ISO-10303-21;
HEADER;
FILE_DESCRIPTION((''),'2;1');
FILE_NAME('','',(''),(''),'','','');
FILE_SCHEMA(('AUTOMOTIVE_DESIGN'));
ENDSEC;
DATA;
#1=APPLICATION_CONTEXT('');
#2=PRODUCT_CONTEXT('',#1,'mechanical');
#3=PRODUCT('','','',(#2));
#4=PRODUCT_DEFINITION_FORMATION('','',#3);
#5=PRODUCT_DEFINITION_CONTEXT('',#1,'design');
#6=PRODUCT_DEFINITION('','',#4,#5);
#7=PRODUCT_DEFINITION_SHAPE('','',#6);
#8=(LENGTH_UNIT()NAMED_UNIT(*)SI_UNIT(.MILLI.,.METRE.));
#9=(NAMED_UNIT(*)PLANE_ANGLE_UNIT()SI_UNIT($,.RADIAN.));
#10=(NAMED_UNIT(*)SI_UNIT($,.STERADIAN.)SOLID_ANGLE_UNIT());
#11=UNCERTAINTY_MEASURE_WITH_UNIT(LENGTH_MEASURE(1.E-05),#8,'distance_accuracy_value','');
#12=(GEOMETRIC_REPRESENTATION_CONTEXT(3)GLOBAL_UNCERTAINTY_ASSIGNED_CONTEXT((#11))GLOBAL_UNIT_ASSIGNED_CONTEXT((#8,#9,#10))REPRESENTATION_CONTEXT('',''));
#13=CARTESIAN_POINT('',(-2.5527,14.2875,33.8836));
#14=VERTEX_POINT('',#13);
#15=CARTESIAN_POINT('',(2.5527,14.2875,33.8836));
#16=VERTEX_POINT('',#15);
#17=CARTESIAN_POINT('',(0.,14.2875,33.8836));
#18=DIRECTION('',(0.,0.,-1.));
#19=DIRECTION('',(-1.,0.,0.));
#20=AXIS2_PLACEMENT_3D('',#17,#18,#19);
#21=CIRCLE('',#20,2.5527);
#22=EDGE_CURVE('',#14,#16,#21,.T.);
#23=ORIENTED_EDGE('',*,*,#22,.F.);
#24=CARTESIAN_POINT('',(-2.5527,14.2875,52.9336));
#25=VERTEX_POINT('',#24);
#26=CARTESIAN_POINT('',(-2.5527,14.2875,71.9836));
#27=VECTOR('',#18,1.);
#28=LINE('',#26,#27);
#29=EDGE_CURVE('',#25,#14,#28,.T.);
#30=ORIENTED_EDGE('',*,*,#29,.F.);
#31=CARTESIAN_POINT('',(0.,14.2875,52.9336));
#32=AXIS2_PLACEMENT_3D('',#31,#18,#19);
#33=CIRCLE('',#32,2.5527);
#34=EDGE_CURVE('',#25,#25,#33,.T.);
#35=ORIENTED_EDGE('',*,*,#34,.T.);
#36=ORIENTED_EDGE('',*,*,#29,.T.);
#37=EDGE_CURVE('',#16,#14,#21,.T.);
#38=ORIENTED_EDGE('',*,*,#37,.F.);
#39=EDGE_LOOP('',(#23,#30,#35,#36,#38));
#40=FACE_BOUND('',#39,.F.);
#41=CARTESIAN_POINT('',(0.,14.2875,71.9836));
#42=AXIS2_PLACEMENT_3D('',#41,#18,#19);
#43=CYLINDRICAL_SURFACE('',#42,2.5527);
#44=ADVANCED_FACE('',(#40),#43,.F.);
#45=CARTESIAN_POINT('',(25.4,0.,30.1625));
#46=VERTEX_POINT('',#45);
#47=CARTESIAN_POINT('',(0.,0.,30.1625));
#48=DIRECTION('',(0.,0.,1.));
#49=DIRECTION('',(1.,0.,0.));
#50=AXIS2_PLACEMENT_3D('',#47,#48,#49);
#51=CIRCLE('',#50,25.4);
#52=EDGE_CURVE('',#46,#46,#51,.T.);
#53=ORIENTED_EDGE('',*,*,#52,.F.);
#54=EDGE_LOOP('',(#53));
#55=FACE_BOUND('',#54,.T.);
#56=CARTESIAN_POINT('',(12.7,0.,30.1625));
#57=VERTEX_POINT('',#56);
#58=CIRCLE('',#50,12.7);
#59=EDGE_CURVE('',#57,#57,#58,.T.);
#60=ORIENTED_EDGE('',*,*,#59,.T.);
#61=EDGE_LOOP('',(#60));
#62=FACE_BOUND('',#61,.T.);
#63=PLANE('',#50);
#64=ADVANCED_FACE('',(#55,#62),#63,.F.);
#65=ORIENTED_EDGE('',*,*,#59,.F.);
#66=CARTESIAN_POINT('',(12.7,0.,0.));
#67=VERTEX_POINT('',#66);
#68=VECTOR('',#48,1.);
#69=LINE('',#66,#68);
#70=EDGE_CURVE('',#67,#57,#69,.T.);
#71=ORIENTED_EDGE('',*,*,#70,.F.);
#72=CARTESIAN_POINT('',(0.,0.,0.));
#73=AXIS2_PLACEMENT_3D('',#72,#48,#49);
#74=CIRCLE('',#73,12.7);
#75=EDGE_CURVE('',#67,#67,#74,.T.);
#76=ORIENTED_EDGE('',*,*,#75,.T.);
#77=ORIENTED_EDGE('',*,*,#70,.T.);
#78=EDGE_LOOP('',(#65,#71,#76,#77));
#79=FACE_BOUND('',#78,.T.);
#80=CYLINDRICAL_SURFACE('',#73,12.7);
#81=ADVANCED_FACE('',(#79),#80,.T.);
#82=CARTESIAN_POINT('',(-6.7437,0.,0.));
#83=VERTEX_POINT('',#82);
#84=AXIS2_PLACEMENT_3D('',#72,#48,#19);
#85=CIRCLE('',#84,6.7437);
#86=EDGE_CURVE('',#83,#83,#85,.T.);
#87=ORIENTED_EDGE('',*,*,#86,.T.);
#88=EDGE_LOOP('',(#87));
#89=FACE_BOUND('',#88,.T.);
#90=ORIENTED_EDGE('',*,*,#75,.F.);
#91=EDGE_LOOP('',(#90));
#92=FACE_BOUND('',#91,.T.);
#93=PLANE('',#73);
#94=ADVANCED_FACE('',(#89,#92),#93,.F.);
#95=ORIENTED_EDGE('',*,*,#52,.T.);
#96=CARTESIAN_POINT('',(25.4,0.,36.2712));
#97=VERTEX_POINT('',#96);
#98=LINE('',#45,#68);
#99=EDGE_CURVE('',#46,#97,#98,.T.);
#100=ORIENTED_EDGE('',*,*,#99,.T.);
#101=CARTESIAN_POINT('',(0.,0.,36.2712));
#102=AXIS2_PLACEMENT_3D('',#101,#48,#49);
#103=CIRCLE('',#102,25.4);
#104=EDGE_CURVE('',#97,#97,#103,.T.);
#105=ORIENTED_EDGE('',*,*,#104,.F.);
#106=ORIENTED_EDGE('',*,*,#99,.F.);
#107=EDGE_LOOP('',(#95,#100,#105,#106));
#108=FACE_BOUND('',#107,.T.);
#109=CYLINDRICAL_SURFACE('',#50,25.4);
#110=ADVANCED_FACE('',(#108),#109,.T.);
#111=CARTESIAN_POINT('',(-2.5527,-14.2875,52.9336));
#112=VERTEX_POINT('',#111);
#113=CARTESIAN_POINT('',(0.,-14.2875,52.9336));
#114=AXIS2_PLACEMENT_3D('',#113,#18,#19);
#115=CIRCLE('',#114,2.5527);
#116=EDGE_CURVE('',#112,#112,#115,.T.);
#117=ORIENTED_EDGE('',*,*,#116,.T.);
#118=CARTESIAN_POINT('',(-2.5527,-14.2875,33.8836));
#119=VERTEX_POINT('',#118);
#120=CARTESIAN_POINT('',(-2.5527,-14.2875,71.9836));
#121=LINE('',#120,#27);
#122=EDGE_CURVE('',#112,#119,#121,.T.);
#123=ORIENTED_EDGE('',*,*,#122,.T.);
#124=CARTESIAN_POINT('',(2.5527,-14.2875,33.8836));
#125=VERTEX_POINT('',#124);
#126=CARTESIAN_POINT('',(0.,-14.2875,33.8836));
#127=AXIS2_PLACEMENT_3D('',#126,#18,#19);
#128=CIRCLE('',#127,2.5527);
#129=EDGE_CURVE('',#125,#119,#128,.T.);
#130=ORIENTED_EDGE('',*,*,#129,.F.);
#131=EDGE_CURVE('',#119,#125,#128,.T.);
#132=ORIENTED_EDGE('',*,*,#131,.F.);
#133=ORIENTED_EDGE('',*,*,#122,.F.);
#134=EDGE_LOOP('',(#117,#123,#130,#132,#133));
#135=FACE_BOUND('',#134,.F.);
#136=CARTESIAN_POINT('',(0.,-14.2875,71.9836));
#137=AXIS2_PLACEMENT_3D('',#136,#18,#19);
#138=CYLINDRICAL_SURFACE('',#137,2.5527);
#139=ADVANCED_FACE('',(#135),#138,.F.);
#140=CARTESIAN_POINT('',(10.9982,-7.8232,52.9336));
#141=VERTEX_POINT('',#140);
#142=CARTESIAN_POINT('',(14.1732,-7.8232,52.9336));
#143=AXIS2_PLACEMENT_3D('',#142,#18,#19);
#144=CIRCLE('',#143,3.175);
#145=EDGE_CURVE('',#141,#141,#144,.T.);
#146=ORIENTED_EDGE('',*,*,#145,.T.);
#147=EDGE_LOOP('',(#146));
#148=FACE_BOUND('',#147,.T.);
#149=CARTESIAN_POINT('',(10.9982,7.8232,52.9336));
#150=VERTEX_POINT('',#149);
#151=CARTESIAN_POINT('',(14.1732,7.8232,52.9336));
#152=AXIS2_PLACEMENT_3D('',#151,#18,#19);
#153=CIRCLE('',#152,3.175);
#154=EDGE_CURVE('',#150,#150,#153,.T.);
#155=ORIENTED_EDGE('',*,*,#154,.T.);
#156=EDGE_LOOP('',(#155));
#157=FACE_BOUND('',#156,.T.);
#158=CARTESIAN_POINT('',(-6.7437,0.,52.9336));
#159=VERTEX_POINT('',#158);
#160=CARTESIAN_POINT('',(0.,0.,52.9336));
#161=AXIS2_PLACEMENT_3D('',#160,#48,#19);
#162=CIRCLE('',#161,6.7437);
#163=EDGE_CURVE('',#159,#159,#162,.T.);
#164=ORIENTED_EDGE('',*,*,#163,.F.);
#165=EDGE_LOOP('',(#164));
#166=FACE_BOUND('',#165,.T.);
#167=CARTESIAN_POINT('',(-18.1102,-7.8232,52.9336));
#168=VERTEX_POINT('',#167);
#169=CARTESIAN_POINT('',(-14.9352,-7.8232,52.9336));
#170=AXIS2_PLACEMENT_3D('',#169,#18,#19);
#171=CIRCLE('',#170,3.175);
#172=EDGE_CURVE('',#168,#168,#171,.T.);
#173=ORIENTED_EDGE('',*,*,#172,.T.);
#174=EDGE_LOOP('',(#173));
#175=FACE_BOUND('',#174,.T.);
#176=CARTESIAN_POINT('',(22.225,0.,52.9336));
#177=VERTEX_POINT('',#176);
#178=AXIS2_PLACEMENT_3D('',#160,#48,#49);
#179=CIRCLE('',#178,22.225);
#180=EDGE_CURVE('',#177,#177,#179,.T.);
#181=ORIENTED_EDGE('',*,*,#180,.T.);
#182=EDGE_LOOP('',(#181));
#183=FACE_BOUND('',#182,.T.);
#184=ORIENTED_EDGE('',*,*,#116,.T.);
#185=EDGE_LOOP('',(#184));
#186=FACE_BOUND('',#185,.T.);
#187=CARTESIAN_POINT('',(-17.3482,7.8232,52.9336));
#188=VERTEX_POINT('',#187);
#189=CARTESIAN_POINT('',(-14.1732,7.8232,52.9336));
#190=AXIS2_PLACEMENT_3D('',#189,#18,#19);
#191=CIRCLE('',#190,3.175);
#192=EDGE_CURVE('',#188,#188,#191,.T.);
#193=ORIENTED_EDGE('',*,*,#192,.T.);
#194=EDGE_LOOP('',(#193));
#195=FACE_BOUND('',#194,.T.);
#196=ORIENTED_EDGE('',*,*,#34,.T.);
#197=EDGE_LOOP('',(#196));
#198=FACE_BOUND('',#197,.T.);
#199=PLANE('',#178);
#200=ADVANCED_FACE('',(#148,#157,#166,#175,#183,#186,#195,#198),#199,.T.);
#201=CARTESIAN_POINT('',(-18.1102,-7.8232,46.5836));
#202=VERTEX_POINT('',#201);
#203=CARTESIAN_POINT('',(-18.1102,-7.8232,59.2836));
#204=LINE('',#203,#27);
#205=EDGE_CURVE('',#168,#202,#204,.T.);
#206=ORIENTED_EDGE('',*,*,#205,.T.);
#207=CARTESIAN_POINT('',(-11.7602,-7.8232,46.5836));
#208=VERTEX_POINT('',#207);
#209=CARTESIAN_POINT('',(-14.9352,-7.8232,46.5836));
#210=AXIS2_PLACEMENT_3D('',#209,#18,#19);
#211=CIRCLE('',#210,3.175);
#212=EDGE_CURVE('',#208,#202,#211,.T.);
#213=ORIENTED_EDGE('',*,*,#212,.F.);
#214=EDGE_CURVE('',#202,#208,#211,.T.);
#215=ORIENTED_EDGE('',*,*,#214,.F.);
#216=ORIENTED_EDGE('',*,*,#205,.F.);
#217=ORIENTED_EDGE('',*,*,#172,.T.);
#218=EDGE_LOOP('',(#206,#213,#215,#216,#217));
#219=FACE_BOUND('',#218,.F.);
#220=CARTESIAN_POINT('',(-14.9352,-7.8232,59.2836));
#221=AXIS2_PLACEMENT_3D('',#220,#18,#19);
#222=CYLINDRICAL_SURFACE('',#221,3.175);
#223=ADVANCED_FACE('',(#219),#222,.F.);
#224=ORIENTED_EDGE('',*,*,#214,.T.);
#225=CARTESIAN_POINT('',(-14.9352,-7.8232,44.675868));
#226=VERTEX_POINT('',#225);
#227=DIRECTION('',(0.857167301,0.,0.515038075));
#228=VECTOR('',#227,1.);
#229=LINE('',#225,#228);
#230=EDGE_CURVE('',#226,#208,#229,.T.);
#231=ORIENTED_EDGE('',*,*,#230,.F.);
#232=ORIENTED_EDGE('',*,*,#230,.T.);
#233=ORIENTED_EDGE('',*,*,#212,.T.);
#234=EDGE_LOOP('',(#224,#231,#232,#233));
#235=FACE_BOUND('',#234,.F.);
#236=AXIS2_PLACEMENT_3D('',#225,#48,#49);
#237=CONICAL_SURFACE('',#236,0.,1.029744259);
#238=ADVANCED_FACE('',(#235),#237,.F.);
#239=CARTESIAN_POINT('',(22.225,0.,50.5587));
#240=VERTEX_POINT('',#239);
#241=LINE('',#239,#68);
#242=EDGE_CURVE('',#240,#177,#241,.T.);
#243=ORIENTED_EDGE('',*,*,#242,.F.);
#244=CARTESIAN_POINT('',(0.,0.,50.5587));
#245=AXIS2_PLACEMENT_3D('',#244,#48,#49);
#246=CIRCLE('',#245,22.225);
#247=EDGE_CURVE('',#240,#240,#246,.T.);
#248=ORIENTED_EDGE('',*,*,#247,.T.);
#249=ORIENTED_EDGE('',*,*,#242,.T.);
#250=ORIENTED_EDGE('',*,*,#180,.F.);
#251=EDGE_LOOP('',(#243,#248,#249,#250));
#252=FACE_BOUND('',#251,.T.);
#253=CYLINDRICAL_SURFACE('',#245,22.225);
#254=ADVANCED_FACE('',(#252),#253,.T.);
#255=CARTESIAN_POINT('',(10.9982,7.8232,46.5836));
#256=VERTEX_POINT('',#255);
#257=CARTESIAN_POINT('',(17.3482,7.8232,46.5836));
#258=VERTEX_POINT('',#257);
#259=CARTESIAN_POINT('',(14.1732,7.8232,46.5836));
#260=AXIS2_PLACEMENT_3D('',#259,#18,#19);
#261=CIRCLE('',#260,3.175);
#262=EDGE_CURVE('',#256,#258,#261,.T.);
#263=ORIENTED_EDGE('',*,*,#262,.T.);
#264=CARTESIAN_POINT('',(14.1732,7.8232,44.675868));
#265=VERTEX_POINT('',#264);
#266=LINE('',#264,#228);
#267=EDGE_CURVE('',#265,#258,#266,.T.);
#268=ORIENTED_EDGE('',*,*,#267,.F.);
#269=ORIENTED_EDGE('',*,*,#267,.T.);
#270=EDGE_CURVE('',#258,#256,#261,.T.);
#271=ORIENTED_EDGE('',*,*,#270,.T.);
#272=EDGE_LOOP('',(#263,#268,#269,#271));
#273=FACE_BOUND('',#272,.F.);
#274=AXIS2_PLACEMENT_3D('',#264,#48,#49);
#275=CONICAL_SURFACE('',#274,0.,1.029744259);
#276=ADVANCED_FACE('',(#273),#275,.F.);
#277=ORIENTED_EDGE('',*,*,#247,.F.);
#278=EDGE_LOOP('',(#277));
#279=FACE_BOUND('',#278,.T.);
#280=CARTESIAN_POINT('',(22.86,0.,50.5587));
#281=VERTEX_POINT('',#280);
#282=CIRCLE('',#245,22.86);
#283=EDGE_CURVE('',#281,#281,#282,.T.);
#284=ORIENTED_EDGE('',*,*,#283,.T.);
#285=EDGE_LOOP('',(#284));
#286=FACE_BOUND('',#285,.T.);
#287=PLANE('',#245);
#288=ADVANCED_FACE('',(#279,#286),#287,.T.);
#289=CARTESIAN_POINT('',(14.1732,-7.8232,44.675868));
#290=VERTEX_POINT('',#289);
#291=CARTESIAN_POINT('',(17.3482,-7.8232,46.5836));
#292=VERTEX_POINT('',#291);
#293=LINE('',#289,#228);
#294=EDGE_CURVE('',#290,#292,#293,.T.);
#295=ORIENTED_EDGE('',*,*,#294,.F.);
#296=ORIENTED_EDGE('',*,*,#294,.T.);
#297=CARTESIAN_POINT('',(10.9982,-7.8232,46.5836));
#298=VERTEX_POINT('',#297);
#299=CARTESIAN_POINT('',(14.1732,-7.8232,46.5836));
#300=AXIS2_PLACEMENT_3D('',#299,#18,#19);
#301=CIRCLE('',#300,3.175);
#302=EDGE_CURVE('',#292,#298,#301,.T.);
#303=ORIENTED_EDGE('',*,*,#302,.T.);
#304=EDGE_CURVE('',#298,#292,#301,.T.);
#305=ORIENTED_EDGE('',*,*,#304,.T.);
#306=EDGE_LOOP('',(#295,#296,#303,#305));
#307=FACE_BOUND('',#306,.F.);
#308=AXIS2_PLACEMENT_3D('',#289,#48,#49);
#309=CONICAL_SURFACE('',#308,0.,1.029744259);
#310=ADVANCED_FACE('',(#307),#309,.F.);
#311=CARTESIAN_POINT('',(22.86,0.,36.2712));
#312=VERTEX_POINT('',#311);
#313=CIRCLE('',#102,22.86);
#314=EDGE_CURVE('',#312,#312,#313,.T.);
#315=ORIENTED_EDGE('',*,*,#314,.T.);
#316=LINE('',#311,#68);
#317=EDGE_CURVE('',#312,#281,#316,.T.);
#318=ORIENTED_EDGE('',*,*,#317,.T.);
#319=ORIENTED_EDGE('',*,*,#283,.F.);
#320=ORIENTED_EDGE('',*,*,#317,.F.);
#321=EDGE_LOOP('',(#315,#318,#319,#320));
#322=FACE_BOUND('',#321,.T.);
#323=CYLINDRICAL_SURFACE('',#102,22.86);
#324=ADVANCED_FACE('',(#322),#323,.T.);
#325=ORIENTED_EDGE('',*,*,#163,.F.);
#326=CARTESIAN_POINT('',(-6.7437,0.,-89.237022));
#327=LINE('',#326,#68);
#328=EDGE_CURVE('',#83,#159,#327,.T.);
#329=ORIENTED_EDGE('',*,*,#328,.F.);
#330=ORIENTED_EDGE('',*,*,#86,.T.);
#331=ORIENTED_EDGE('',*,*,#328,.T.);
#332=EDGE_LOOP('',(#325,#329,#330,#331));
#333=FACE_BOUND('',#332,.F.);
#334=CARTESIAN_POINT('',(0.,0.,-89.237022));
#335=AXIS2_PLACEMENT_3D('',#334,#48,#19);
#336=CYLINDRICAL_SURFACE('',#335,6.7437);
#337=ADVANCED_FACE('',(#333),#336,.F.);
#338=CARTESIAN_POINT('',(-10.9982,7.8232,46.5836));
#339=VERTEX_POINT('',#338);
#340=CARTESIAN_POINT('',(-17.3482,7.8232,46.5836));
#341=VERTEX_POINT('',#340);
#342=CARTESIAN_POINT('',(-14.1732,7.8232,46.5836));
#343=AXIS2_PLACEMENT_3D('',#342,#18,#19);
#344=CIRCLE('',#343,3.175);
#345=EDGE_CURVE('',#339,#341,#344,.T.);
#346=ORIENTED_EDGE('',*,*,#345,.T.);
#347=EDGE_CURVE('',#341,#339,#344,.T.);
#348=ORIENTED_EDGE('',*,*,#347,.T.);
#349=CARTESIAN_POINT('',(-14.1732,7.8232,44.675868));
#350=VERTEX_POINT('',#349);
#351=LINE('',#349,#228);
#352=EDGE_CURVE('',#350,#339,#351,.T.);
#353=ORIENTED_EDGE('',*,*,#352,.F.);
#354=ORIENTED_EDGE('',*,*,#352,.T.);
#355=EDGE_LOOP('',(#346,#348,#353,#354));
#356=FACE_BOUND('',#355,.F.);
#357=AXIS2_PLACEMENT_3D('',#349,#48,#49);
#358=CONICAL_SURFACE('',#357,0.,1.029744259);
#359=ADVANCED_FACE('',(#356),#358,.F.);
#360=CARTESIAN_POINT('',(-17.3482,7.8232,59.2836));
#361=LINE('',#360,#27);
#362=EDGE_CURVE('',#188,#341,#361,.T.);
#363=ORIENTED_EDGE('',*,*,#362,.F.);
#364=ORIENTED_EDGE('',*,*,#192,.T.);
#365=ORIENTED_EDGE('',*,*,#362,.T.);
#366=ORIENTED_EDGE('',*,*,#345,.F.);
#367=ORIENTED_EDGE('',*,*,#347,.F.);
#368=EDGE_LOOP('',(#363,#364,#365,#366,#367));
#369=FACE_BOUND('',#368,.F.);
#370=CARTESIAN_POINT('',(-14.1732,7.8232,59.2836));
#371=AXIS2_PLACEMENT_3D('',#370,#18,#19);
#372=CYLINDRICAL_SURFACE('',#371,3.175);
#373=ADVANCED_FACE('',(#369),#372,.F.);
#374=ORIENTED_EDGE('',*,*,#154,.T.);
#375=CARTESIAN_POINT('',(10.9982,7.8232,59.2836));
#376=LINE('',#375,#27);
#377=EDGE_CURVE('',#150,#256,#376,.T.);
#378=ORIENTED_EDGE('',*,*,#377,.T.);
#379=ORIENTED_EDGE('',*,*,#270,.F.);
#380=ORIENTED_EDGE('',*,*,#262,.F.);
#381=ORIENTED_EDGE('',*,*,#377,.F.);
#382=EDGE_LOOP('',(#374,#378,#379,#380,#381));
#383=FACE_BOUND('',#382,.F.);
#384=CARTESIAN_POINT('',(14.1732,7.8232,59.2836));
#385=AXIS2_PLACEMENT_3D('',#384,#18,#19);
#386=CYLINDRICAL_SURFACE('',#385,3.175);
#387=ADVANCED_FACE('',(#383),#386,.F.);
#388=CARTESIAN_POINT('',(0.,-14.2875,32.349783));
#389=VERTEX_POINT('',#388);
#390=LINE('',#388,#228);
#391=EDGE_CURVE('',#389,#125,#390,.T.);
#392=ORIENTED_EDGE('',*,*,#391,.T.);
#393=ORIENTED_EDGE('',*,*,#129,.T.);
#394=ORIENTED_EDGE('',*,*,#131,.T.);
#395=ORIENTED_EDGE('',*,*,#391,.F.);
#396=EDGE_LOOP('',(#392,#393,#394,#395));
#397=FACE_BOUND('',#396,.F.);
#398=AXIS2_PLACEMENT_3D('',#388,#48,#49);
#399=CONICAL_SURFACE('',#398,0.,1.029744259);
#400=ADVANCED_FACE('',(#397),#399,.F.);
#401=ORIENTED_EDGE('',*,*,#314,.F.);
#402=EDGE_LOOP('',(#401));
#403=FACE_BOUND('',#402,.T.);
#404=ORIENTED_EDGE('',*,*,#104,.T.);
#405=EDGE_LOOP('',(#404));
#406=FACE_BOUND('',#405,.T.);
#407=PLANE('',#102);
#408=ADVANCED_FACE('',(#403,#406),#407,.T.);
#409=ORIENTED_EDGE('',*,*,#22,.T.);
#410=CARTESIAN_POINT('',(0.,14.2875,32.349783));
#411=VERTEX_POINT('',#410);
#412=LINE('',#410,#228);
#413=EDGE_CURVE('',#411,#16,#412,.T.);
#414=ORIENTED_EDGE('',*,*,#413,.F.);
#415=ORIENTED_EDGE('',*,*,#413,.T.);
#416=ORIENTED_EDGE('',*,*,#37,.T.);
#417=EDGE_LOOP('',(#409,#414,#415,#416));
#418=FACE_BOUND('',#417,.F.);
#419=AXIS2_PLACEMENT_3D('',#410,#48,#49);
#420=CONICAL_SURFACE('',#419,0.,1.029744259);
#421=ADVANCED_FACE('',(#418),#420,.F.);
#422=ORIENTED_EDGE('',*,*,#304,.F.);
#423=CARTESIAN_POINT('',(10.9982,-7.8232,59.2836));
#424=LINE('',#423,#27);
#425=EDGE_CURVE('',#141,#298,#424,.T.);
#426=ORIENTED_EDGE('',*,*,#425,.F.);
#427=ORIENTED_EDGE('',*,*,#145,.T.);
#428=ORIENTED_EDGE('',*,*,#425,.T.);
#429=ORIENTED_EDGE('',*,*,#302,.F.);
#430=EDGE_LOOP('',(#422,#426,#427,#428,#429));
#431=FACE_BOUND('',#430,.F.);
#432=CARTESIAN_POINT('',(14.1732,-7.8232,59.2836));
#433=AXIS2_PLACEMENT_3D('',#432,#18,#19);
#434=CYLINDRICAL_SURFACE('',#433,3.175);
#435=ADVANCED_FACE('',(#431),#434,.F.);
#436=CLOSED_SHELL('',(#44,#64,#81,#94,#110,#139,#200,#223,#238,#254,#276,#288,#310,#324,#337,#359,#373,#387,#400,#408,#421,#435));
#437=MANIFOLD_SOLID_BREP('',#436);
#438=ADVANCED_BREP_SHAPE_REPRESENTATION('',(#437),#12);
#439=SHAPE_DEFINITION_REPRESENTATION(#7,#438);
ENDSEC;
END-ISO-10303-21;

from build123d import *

# Parameters (mm, degrees)
F3_D      = 13.4874
F6_D      = 6.35
F6_DEPTH  = 6.35
F6_TIP    = 1.9077324654
F8_D      = 6.35
F8_DEPTH  = 6.35
F8_TIP    = 1.9077324654
F10_D     = 5.1054
F10_DEPTH = 19.05
F10_TIP   = 1.5338169022


with BuildPart() as f1:
    # F0 (on Front) → F1 (revolve)
    with BuildSketch(Plane.XZ):
        Polygon((0, 52.9336), (0, 0), (12.7, 0), (12.7, 30.1625), (25.4, 30.1625), (25.4, 36.2712), (22.86, 36.2712), (22.86, 50.5587), (22.225, 50.5587), (22.225, 52.9336), align=None)
    revolve(axis=Axis((0, 0, 26.4668), (0, 0, 1)))

    # F3 (through all)
    with Locations(Plane(origin=(0, 0, 0), x_dir=(1, 0, 0), z_dir=(0, 0, -1))):
        with Locations((0, 0)):
            Hole(F3_D / 2)

    # F6
    with Locations(Plane.XY.offset(52.9336)):
        with Locations((-14.1732, 7.8232), (14.1732, 7.8232)):
            Hole(F6_D / 2, depth=F6_DEPTH)
            with Locations((0, 0, -(F6_DEPTH + F6_TIP / 2))):  # 118° drill point
                Cone(0, F6_D / 2, F6_TIP, mode=Mode.SUBTRACT)

    # F8
    with Locations(Plane.XY.offset(52.9336)):
        with Locations((-14.9352, -7.8232), (14.1732, -7.8232)):
            Hole(F8_D / 2, depth=F8_DEPTH)
            with Locations((0, 0, -(F8_DEPTH + F8_TIP / 2))):  # 118° drill point
                Cone(0, F8_D / 2, F8_TIP, mode=Mode.SUBTRACT)

    # F10
    with Locations(Plane.XY.offset(52.9336)):
        with Locations((0, -14.2875), (0, 14.2875)):
            Hole(F10_D / 2, depth=F10_DEPTH)
            with Locations((0, 0, -(F10_DEPTH + F10_TIP / 2))):  # 118° drill point
                Cone(0, F10_D / 2, F10_TIP, mode=Mode.SUBTRACT)


solid = f1.part
